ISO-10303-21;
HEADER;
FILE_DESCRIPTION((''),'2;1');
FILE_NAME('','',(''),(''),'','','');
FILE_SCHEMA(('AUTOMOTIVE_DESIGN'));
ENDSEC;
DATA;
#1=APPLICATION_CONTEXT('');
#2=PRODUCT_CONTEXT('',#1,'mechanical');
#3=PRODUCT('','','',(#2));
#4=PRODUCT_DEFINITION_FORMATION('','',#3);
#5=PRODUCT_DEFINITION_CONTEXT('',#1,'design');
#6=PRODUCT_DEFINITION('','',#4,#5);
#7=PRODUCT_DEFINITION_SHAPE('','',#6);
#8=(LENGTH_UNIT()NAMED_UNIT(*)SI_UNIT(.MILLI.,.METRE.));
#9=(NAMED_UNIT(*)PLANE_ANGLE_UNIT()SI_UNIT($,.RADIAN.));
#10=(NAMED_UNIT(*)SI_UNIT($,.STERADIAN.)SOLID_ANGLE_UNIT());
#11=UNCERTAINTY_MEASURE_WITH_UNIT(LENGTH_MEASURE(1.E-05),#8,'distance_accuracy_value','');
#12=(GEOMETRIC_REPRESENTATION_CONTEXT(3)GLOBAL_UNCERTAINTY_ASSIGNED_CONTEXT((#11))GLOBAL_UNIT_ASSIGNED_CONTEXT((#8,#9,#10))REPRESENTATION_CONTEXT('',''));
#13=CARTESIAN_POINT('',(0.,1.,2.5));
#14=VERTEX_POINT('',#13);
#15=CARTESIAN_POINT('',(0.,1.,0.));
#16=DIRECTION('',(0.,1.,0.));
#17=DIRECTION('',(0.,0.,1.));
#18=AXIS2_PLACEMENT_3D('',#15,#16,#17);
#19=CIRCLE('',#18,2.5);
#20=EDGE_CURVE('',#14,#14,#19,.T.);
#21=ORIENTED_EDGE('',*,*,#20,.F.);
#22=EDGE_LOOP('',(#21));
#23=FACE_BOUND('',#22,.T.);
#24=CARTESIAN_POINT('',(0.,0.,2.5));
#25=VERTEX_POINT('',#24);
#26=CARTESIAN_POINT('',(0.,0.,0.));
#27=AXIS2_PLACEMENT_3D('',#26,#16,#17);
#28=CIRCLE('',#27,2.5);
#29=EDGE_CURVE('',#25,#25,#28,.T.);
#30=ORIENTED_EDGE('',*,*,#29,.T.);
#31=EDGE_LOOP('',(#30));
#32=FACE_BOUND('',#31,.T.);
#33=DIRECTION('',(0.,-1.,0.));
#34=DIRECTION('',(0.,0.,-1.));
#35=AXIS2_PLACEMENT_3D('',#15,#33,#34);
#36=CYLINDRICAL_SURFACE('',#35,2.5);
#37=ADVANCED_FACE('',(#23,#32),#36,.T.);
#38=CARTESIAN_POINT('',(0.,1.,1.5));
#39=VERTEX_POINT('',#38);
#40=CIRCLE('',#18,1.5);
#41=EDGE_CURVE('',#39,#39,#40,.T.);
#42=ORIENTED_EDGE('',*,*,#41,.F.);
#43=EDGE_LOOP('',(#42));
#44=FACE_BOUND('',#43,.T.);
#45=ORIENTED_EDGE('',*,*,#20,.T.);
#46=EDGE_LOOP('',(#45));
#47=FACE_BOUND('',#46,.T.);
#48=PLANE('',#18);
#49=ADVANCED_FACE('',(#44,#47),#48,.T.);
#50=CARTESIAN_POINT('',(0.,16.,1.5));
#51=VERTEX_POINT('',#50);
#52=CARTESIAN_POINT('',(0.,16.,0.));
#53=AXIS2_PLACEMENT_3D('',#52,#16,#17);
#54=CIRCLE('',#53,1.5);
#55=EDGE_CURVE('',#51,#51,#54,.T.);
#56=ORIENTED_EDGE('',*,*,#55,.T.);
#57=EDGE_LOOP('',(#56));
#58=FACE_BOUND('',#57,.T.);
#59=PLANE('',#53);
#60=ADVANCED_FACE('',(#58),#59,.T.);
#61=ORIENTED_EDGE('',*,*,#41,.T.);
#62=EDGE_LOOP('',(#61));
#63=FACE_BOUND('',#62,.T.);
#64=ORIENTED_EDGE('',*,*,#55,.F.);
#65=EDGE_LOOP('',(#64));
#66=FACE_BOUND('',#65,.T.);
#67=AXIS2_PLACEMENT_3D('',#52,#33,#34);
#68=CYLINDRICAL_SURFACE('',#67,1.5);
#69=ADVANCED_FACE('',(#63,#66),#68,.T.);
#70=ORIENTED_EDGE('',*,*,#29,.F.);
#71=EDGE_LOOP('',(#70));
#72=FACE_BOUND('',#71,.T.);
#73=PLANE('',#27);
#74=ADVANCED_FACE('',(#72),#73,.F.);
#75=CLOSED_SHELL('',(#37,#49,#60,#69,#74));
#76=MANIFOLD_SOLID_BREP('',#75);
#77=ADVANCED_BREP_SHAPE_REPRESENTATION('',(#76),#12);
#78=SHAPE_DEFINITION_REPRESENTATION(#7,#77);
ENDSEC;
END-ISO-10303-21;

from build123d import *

# Parameters (mm, degrees)
SKETCH1_R           = 2.5
BOSS_EXTRUDE1_DEPTH = 1
SKETCH3_R           = 1.5
BOSS_EXTRUDE2_DEPTH = 15


with BuildPart() as part:
    # Sketch1 → Boss-Extrude1 (new body)
    with BuildSketch(Plane(origin=(0, 0, 0), x_dir=(1, 0, 0), z_dir=(0, 1, 0))):
        with Locations(Location((0, 0, 0), (0, 0, 270))):
            Circle(SKETCH1_R)
    extrude(amount=BOSS_EXTRUDE1_DEPTH)

    # Sketch3 → Boss-Extrude2 (add)
    with BuildSketch(Plane(origin=(0, 1, 0), x_dir=(-1, 0, 0), z_dir=(0, 1, 0))):
        with Locations(Location((0, 0, 0), (0, 0, 90))):
            Circle(SKETCH3_R)
    extrude(amount=BOSS_EXTRUDE2_DEPTH)


solid = part.part
